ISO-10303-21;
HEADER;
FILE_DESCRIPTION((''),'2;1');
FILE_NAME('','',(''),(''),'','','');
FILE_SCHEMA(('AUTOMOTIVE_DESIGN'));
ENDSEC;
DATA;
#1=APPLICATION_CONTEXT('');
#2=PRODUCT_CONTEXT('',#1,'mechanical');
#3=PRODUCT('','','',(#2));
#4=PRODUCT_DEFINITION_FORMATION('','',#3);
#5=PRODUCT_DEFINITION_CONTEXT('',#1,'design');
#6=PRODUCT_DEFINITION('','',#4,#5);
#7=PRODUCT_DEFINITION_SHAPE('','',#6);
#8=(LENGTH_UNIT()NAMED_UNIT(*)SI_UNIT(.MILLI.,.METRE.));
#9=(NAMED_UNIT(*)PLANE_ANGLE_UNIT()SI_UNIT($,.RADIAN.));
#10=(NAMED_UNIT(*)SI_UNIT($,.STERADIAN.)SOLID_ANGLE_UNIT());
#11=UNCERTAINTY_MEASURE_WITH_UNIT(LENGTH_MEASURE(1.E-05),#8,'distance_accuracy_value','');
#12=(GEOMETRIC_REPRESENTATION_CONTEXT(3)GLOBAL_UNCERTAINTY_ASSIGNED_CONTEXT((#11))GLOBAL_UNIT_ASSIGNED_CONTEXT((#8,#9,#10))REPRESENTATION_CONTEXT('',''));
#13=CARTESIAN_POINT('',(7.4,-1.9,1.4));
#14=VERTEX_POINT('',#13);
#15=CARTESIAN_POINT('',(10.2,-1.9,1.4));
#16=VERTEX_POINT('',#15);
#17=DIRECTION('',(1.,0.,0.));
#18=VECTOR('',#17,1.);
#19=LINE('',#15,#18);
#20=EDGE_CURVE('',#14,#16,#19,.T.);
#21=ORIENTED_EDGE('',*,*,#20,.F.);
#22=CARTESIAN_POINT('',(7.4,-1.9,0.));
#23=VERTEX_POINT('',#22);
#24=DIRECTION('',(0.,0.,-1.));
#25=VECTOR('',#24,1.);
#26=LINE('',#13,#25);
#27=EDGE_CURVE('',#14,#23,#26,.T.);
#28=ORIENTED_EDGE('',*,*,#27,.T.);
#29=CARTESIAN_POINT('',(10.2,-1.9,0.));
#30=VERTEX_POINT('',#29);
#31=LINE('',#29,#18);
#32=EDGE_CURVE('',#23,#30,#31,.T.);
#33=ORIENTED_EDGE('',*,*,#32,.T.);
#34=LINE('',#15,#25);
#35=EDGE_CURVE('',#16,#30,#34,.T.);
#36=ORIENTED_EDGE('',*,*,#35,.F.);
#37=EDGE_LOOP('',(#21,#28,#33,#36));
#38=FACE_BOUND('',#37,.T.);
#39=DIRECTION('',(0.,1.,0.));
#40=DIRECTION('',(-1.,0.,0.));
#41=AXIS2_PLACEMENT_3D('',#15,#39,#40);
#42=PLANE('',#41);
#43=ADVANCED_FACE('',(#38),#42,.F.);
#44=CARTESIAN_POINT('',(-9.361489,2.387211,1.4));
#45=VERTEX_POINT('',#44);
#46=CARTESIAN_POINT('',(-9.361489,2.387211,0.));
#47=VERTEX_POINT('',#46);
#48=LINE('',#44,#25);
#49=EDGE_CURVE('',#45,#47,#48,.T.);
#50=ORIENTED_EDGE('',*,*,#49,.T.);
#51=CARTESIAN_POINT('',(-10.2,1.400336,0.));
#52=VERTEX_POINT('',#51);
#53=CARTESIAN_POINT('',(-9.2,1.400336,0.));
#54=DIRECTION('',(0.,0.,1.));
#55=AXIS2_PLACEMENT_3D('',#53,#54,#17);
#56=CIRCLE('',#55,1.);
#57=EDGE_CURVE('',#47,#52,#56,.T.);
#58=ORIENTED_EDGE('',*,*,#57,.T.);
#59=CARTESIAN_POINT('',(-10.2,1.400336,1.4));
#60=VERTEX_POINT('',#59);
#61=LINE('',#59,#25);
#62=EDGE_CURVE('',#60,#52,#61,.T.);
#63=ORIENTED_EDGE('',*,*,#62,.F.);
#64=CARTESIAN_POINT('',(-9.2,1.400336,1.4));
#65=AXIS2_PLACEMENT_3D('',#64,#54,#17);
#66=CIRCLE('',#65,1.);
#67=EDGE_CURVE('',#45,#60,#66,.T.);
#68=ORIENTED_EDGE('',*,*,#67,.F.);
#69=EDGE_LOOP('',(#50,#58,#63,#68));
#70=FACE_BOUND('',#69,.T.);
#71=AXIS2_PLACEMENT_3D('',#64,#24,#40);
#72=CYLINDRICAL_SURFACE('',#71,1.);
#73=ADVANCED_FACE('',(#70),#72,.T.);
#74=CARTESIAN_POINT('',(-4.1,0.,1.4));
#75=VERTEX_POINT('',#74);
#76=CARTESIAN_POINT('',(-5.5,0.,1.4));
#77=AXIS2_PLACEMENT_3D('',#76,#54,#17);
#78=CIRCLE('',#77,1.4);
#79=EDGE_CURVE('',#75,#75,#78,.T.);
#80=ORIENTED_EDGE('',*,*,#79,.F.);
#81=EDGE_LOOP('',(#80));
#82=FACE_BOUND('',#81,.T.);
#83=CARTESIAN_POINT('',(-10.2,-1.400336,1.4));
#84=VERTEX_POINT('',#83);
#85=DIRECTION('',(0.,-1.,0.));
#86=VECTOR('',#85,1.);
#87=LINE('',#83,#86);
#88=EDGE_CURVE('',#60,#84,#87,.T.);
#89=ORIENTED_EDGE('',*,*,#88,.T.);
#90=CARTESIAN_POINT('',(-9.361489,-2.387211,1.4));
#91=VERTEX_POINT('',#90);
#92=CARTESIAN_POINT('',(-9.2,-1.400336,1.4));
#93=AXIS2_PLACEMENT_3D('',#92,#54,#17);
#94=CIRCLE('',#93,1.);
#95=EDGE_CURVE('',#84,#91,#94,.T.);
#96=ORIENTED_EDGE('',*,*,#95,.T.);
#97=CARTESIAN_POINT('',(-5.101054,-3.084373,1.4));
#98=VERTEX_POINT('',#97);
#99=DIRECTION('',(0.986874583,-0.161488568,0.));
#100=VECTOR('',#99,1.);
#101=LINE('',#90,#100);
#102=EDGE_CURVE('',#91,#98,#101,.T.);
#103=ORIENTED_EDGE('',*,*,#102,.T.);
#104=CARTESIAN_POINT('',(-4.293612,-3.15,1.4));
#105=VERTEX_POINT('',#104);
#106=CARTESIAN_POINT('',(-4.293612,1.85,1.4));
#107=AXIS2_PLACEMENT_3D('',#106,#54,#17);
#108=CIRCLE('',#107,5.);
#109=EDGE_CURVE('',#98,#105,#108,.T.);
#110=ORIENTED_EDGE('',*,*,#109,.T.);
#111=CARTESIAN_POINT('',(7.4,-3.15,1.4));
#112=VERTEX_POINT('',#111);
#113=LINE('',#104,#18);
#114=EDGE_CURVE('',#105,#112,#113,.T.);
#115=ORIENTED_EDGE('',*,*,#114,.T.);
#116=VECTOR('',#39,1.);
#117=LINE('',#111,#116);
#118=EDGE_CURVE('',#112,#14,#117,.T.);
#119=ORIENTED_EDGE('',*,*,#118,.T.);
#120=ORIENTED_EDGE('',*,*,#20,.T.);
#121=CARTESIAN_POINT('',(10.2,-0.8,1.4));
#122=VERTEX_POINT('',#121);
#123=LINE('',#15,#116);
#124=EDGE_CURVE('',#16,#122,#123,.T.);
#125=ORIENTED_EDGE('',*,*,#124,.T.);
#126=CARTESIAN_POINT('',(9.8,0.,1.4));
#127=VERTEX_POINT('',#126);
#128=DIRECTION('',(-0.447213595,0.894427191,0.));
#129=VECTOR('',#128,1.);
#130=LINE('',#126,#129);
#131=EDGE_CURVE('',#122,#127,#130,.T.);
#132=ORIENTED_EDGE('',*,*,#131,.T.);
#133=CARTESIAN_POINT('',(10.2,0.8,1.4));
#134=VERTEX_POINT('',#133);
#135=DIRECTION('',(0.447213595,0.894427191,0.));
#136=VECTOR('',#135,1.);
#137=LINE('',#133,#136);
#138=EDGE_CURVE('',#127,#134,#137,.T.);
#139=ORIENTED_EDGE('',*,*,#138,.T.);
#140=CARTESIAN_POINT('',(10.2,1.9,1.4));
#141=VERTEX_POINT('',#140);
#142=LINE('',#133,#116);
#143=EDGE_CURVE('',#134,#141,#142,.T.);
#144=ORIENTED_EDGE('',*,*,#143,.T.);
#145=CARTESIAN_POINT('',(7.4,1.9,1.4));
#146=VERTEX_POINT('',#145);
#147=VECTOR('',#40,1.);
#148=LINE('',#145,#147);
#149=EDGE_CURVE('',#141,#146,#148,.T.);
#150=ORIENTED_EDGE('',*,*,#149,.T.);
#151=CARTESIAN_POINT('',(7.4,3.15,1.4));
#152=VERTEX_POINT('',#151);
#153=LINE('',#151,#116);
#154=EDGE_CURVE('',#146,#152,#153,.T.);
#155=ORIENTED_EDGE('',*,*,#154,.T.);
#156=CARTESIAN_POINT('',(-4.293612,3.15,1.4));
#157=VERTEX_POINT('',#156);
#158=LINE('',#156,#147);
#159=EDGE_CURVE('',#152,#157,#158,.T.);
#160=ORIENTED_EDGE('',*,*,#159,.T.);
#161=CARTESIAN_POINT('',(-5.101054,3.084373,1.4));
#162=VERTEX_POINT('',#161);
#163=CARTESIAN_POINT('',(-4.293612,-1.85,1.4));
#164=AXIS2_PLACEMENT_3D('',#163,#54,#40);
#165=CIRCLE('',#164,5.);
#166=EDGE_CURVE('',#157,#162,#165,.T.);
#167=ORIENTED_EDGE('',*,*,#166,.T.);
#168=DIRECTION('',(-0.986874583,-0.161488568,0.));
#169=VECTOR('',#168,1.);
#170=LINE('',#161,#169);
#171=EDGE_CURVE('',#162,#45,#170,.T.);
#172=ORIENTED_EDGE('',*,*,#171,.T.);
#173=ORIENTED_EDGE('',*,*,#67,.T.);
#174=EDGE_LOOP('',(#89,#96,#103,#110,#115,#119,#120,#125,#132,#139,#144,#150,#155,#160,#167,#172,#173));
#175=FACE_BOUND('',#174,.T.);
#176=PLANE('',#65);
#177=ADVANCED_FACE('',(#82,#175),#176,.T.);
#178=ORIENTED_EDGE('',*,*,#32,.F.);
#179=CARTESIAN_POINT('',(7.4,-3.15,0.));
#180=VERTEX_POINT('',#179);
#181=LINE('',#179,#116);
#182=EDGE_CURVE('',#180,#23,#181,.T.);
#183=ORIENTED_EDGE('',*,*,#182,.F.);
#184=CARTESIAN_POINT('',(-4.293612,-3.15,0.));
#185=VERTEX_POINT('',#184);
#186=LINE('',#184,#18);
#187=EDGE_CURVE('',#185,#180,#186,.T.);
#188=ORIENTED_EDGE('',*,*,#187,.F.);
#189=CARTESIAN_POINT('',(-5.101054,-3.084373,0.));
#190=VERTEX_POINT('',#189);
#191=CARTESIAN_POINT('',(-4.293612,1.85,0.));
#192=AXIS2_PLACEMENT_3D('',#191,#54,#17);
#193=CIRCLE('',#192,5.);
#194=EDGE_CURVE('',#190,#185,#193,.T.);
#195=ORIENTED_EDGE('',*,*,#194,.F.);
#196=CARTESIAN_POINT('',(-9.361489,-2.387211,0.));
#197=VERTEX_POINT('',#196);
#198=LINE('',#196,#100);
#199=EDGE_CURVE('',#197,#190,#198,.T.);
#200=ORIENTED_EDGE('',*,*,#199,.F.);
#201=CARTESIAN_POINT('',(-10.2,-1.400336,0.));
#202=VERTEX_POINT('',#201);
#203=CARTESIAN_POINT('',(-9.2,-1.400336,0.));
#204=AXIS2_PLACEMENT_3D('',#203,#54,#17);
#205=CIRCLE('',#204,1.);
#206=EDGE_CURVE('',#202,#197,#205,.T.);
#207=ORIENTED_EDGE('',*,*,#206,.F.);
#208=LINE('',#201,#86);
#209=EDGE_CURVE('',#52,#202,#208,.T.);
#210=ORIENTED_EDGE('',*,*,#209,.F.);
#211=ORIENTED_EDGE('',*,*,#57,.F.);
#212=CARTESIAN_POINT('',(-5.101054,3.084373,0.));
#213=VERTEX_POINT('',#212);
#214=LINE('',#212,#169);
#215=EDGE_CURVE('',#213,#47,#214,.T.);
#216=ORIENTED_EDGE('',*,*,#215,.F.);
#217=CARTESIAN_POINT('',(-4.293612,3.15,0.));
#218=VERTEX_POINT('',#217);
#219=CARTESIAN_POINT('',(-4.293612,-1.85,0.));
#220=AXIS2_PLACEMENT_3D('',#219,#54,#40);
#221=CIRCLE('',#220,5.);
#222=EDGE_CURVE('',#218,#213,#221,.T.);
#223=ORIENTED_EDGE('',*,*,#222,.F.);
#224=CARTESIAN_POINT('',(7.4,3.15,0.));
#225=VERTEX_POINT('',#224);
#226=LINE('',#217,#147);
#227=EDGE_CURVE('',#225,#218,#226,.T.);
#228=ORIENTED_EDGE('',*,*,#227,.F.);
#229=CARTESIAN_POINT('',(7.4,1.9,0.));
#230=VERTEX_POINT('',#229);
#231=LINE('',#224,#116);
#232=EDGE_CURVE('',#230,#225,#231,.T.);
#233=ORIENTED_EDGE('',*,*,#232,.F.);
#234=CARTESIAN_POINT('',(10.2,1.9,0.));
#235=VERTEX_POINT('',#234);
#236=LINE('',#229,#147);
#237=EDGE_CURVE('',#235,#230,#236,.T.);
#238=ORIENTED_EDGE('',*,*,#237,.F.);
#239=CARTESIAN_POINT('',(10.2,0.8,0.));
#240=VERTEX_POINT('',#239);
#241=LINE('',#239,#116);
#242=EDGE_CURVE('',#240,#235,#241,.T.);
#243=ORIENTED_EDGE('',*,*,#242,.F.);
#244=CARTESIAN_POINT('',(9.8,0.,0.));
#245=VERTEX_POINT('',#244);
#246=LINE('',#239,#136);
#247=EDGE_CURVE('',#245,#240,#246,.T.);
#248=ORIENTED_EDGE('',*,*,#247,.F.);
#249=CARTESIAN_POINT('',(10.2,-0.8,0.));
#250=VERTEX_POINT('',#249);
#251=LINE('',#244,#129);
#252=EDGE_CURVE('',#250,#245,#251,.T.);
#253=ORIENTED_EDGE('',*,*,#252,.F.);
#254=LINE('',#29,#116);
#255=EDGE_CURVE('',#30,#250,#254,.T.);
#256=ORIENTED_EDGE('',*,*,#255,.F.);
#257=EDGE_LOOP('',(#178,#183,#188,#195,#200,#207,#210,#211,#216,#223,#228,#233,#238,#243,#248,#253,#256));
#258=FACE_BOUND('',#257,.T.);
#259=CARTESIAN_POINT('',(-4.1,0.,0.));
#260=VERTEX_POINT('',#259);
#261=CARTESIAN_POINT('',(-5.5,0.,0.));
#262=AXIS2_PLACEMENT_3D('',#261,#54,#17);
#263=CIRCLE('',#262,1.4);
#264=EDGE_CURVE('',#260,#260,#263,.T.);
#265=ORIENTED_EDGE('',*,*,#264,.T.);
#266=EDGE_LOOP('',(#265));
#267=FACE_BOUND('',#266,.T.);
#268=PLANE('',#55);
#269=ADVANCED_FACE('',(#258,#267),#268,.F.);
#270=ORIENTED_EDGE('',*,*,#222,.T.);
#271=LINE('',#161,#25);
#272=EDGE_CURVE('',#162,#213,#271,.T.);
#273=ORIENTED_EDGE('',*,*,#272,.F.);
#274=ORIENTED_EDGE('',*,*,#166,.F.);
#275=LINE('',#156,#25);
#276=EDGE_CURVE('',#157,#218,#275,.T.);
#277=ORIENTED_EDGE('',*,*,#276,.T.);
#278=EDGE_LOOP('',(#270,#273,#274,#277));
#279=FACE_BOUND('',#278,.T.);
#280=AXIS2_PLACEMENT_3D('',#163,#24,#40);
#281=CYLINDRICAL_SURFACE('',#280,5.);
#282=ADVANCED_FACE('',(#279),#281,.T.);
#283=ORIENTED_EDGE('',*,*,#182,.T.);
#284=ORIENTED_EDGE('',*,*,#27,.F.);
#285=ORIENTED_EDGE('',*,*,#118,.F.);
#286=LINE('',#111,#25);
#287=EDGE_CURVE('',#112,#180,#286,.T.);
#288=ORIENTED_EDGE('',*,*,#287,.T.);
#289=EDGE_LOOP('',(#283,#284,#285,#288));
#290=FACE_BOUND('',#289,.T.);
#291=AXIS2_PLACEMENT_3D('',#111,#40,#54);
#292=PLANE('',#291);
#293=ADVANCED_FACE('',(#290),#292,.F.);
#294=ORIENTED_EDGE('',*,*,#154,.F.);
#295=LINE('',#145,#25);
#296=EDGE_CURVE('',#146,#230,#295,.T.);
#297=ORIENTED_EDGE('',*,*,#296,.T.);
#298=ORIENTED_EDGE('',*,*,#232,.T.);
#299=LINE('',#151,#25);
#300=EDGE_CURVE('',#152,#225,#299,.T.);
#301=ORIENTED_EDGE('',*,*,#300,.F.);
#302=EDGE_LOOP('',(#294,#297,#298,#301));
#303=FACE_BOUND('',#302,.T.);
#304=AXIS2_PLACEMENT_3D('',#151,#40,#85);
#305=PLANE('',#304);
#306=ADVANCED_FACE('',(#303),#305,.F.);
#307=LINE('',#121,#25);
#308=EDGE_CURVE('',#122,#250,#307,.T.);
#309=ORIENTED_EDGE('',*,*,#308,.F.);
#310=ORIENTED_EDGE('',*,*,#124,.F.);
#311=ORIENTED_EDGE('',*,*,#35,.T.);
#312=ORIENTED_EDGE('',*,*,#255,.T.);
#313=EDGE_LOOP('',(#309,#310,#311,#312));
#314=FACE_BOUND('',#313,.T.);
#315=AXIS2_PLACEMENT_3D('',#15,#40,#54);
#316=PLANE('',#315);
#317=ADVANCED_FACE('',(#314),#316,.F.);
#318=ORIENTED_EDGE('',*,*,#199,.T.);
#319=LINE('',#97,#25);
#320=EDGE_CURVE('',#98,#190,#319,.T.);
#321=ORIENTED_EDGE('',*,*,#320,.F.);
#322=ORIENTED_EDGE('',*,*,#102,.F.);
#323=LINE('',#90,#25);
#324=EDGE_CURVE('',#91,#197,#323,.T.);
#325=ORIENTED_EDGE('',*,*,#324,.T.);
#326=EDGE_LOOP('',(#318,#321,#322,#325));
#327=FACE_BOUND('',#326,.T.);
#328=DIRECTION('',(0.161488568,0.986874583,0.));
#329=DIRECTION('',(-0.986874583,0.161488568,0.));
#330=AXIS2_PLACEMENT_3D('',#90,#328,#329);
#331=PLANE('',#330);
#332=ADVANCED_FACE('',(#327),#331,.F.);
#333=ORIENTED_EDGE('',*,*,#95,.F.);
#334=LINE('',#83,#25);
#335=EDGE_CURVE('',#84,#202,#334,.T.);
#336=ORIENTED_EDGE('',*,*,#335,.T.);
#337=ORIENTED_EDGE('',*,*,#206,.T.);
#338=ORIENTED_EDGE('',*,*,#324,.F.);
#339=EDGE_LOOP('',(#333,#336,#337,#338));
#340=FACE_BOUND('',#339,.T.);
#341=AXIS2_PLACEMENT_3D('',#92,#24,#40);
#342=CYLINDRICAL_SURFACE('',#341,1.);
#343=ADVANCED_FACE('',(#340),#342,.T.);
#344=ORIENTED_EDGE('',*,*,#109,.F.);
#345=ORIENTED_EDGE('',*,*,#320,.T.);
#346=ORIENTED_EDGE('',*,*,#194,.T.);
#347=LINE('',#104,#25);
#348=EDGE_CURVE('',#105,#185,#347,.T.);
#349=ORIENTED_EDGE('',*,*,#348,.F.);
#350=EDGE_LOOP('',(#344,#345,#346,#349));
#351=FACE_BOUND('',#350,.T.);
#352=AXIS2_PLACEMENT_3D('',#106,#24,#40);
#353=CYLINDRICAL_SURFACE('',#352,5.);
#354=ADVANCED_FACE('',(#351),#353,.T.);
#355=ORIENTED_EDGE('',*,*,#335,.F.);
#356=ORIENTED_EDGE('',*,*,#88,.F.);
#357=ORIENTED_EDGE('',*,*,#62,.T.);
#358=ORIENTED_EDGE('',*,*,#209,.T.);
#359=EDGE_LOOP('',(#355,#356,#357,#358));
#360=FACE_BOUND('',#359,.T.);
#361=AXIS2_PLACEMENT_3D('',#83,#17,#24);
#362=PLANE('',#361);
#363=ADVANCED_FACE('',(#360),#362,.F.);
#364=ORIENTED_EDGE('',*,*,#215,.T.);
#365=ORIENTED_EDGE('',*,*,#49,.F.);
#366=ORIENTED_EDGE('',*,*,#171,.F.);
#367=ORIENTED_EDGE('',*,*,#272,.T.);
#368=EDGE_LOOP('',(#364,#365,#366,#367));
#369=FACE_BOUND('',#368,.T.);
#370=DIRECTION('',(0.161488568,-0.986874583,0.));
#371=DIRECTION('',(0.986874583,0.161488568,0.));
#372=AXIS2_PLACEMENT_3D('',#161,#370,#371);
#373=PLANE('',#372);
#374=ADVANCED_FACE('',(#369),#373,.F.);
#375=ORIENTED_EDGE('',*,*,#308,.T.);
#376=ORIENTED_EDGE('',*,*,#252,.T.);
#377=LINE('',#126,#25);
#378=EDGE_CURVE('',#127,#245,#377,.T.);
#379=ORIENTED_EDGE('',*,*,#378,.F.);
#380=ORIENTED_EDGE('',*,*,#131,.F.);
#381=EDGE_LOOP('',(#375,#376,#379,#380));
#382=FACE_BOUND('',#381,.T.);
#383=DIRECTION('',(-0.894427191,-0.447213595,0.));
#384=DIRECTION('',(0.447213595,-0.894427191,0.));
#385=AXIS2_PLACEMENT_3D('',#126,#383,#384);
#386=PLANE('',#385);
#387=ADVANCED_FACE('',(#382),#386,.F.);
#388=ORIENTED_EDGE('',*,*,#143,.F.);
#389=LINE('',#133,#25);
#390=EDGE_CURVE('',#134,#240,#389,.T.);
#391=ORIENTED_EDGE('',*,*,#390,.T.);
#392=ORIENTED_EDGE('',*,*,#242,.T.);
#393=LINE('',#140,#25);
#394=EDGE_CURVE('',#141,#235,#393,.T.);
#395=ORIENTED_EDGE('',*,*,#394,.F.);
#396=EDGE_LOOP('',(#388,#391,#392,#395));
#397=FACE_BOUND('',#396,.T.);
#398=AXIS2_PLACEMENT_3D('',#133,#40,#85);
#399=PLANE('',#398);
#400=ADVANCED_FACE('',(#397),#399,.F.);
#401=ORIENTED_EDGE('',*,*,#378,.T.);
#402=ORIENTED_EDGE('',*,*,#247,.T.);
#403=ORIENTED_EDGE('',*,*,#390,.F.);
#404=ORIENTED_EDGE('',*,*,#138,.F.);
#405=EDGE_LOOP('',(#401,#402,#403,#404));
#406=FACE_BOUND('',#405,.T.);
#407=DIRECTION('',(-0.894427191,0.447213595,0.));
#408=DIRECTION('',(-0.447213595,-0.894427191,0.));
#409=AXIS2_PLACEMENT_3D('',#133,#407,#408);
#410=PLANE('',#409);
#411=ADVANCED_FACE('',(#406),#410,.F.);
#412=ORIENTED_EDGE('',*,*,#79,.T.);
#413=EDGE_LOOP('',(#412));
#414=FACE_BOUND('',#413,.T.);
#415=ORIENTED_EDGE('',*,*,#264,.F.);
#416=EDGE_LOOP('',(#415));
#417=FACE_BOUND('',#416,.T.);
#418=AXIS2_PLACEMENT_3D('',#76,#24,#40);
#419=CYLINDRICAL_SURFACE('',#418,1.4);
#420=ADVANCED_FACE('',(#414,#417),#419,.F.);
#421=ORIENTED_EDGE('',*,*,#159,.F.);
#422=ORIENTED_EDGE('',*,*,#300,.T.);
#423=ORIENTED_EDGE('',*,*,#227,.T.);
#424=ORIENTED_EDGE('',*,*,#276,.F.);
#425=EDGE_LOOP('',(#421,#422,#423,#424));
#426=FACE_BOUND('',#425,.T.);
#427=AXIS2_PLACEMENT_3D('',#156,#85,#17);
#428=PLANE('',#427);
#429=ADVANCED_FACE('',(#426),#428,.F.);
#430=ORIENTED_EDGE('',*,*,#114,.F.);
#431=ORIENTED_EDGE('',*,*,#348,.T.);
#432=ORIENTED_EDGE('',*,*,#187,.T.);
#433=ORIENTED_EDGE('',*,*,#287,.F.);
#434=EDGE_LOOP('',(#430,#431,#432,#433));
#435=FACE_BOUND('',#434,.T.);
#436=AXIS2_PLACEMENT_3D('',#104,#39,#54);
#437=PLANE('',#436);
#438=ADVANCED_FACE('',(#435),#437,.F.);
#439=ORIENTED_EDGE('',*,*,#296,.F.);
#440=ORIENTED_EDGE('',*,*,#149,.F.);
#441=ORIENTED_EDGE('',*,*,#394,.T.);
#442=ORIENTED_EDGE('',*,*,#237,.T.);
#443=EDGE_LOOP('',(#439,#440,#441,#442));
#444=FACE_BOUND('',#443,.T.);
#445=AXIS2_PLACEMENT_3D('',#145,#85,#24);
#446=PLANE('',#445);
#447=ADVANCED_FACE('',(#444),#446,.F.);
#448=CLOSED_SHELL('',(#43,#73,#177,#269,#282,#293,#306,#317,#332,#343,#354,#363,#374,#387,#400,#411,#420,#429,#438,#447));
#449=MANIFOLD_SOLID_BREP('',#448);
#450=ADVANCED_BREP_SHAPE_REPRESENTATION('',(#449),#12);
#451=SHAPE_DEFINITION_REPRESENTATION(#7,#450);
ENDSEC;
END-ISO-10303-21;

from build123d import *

# Parameters (mm, degrees)
ESBO_O1_R                = 1.4
RESSALTO_EXTRUS_O1_DEPTH = 1.4


with BuildPart() as part:
    # Esboço1 → Ressalto-extrusão1 (new body)
    with BuildSketch(Plane.XY):
        with BuildLine():
            Line((-5.101054411, 3.084372914), (-9.361488568, 2.387210962))
            ThreePointArc((-9.361488568, 2.387210962), (-9.9620658, 2.047835966), (-10.2, 1.400336379))
            Line((-10.2, 1.400336379), (-10.2, -1.400336379))
            ThreePointArc((-10.2, -1.400336379), (-9.9620658, -2.047835966), (-9.361488568, -2.387210962))
            Line((-9.361488568, -2.387210962), (-5.101054411, -3.084372914))
            ThreePointArc((-5.101054411, -3.084372914), (-4.698664301, -3.133566222), (-4.293611571, -3.15))
            Line((-4.293611571, -3.15), (7.4, -3.15))
            Line((7.4, -3.15), (7.4, -1.9))
            Line((7.4, -1.9), (10.2, -1.9))
            Line((10.2, -1.9), (10.2, -0.8))
            Line((10.2, -0.8), (9.8, 0))
            Line((9.8, 0), (10.2, 0.8))
            Line((10.2, 0.8), (10.2, 1.9))
            Line((10.2, 1.9), (7.4, 1.9))
            Line((7.4, 1.9), (7.4, 3.15))
            Line((7.4, 3.15), (-4.293611571, 3.15))
            ThreePointArc((-4.293611571, 3.15), (-4.698664301, 3.133566222), (-5.101054411, 3.084372914))
        make_face()
        with Locations((-5.5, 0)):
            Circle(ESBO_O1_R, mode=Mode.SUBTRACT)
    extrude(amount=RESSALTO_EXTRUS_O1_DEPTH)


solid = part.part
